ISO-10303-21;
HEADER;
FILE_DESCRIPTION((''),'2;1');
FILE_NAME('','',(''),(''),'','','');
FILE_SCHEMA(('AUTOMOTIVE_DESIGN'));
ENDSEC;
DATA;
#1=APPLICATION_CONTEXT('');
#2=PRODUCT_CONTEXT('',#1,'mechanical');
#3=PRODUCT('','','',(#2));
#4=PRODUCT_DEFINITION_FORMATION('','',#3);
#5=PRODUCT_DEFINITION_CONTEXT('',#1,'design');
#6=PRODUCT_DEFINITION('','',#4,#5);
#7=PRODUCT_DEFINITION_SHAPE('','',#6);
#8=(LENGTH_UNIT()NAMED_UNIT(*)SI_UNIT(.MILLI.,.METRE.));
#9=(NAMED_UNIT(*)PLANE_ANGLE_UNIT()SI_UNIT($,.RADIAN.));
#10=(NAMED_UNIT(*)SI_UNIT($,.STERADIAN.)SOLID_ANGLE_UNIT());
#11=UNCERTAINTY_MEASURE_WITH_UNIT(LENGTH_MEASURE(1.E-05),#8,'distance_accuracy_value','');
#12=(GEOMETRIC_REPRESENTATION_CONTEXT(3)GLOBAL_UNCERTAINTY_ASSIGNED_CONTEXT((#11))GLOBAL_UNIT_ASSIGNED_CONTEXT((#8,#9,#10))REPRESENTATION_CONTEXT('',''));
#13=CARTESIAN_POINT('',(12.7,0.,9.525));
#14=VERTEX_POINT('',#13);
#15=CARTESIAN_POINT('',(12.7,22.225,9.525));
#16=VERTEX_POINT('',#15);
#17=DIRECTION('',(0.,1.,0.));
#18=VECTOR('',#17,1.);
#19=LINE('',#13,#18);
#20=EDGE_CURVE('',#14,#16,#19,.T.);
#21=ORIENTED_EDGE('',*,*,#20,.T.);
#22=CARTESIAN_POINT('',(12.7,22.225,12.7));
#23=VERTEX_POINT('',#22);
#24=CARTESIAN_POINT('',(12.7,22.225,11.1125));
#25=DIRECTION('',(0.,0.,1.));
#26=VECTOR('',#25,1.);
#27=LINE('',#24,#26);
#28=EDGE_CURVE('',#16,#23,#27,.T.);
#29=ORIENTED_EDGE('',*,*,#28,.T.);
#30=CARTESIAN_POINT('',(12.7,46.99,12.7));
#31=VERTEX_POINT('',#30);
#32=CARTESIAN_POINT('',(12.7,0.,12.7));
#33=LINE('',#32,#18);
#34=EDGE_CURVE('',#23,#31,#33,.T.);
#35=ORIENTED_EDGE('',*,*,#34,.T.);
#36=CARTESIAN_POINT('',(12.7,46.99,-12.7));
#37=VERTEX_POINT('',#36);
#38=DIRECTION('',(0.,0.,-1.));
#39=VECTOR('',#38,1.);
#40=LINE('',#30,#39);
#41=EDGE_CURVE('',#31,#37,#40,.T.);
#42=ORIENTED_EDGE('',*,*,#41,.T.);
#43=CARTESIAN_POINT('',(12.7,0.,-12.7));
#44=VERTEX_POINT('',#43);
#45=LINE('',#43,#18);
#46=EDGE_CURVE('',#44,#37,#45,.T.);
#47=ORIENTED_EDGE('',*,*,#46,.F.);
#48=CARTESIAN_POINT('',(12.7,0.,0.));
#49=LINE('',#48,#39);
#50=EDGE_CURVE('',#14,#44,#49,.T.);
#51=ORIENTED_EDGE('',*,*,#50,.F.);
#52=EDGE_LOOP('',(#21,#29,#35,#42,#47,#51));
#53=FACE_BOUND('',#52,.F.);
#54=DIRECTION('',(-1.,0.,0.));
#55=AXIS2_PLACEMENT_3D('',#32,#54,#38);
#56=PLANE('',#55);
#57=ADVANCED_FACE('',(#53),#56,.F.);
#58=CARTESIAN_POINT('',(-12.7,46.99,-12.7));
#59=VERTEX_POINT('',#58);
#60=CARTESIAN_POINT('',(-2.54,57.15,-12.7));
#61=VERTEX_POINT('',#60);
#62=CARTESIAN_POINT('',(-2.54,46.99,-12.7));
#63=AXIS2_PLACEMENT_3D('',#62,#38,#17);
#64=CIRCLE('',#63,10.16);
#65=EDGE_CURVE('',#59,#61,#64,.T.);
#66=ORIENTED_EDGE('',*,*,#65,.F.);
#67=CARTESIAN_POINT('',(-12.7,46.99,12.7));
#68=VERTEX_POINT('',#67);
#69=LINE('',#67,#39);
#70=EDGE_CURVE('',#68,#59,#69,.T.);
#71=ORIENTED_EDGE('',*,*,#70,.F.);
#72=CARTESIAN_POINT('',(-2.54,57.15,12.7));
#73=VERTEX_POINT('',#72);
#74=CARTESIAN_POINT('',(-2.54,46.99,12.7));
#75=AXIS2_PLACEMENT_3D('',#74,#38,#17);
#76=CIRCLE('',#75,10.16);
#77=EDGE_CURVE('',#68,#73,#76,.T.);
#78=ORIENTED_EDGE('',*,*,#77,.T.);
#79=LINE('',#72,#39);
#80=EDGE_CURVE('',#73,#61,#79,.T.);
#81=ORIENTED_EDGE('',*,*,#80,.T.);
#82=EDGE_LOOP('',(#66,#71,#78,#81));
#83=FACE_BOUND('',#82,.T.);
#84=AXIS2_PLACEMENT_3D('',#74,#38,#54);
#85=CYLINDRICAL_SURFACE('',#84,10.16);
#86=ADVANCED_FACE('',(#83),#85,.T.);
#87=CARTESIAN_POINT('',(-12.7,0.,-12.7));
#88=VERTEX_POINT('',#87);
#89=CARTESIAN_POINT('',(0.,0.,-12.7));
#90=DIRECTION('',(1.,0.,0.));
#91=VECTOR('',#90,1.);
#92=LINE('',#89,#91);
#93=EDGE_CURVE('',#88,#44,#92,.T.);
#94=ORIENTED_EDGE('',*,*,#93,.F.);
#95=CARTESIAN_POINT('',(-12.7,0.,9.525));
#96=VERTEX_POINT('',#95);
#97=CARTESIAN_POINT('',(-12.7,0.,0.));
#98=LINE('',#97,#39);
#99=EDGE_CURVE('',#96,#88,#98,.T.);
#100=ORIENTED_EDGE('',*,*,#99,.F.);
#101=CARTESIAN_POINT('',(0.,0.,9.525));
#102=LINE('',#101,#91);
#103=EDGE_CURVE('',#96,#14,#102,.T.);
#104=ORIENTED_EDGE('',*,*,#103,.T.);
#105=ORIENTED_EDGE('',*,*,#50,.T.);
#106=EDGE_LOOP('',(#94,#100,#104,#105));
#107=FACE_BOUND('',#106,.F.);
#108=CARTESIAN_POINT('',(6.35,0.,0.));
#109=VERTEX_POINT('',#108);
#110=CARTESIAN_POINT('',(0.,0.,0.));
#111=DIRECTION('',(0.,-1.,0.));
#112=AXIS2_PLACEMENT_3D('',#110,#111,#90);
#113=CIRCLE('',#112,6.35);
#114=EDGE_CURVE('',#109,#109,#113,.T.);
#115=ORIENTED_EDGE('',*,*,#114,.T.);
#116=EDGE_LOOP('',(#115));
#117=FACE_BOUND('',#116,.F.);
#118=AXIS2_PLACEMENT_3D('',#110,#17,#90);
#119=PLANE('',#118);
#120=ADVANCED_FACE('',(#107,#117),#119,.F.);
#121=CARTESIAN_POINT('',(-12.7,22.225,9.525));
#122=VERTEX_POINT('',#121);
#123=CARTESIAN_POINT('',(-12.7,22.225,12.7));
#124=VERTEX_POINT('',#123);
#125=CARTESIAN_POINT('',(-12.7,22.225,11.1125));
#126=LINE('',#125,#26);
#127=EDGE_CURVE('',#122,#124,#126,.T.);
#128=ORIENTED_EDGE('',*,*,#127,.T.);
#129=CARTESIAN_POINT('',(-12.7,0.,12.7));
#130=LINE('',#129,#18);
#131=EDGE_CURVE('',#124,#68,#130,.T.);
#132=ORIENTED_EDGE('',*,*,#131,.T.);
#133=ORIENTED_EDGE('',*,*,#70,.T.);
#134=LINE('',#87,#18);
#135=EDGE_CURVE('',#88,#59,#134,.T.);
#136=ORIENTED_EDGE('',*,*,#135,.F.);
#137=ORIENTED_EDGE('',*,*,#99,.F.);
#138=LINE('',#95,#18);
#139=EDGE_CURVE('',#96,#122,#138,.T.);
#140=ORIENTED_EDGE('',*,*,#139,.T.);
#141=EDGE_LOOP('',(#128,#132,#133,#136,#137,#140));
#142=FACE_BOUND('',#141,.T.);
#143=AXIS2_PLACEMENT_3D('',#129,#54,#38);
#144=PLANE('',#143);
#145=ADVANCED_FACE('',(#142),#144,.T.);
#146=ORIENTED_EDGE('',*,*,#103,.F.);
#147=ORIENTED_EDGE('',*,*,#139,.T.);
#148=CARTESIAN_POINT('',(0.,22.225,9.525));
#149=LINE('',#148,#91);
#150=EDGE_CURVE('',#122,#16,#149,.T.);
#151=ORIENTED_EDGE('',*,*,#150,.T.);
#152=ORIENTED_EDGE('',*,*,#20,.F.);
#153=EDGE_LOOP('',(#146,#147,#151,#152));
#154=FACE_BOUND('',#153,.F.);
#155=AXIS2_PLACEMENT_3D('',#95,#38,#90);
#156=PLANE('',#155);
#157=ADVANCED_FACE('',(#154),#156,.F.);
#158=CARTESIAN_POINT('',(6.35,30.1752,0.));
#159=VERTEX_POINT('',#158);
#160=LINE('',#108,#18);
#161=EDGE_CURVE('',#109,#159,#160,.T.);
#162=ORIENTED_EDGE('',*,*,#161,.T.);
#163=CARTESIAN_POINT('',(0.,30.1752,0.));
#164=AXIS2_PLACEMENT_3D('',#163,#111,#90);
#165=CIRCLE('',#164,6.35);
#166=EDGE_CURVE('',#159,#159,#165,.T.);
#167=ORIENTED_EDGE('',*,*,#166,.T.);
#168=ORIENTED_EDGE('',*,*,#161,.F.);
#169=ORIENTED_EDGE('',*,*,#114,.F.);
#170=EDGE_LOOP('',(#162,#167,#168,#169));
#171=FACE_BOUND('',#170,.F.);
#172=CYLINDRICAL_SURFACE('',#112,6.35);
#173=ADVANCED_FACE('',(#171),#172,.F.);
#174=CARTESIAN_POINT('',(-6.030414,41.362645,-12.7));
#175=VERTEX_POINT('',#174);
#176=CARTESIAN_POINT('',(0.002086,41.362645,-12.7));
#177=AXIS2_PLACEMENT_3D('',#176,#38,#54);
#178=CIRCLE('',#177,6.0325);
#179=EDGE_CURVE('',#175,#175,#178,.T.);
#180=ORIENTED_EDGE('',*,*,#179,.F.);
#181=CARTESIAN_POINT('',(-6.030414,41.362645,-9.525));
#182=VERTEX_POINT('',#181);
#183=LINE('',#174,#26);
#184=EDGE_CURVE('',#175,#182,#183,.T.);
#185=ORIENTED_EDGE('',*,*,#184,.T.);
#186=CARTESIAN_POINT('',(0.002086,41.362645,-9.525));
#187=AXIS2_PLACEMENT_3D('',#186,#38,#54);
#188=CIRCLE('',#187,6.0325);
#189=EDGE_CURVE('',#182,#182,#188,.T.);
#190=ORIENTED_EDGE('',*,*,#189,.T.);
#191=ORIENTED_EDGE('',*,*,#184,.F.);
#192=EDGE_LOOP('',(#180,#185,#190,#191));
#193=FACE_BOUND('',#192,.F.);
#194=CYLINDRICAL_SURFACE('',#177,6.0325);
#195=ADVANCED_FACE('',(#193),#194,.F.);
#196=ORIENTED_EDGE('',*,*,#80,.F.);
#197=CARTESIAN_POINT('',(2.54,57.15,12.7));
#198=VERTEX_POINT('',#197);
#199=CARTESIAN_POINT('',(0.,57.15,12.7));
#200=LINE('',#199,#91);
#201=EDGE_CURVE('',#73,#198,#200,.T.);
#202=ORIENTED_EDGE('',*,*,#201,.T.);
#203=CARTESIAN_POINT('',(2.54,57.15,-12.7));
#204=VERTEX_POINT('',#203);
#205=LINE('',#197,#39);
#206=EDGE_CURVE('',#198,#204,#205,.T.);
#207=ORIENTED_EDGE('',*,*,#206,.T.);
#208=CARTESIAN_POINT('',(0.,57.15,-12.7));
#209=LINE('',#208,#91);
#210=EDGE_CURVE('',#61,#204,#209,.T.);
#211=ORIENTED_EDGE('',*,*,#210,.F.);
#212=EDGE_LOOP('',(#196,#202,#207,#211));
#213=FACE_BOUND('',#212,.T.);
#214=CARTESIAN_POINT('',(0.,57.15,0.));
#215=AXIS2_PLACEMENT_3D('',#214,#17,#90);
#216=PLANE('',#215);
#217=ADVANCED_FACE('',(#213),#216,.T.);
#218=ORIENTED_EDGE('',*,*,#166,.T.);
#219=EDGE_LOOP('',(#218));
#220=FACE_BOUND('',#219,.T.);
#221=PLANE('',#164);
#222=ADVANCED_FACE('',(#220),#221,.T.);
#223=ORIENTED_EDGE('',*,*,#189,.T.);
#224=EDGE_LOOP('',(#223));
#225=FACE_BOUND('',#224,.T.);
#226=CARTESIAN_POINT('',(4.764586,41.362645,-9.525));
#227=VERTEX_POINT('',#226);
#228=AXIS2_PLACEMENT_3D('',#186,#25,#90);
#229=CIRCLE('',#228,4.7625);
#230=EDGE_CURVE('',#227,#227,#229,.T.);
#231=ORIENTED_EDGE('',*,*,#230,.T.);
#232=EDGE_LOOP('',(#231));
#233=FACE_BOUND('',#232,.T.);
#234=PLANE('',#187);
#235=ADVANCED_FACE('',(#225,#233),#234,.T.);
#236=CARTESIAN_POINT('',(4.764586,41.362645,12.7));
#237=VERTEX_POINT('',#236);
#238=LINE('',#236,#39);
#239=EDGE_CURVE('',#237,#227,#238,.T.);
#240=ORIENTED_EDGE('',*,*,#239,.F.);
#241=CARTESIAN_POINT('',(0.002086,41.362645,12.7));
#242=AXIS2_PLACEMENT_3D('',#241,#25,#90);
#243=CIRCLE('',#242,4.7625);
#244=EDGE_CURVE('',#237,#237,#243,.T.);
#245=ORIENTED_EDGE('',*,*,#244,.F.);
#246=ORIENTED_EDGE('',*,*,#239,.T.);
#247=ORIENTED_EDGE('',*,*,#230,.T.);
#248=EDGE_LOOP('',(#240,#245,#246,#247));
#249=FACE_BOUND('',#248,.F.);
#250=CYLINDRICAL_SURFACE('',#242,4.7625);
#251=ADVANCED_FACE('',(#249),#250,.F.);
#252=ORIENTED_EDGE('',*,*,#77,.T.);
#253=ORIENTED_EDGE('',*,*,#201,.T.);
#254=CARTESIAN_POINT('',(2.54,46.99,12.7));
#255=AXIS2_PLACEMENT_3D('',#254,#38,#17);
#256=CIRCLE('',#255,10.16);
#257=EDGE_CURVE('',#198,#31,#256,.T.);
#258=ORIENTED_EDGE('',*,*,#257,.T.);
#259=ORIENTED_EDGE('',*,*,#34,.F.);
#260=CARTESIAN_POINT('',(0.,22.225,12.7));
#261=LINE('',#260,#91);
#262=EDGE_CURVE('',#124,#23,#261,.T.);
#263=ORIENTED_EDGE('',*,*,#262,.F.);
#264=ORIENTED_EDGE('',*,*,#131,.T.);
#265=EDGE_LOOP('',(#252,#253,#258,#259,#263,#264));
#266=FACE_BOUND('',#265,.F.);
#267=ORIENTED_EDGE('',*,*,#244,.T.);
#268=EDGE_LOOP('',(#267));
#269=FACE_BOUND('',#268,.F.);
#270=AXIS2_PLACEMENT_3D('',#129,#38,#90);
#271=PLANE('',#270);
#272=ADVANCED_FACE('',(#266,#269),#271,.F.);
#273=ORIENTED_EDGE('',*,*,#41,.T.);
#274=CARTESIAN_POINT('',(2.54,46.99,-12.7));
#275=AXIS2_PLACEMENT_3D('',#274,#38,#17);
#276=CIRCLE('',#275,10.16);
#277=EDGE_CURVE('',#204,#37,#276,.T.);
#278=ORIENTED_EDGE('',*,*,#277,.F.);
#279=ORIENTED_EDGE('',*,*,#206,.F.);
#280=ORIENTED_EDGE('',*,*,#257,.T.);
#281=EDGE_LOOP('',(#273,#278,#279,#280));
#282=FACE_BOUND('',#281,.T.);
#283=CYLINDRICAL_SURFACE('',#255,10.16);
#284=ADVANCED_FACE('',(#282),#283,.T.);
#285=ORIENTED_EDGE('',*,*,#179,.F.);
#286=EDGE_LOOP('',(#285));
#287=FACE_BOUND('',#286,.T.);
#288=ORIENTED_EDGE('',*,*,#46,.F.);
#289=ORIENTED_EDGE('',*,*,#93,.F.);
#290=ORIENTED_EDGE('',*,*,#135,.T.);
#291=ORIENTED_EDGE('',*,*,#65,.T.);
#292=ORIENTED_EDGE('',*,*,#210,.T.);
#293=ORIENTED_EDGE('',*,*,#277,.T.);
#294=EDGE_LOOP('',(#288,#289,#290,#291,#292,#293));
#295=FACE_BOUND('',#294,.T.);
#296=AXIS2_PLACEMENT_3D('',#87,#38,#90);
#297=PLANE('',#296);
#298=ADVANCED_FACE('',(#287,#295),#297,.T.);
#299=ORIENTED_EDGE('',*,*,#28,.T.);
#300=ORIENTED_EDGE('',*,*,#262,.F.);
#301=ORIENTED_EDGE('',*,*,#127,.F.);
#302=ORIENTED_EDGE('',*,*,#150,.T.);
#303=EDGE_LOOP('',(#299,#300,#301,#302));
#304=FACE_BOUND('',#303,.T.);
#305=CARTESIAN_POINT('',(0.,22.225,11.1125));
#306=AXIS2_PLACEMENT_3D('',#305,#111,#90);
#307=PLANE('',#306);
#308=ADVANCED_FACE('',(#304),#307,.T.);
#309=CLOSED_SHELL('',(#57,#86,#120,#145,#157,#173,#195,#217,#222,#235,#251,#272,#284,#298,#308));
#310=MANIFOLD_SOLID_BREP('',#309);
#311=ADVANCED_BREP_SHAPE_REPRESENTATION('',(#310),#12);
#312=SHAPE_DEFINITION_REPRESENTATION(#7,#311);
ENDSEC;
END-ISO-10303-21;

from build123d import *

# Parameters (mm, degrees)
SKETCH1_W           = 25.4
SKETCH1_H           = 25.4
BOSS_EXTRUDE1_DEPTH = 57.15
SKETCH2_W           = 25.4
SKETCH2_H           = 3.175
CUT_EXTRUDE1_DEPTH  = 22.225
SKETCH3_R           = 4.7625
CUT_EXTRUDE4_DEPTH  = 25.4
SKETCH4_R           = 6.0325
CUT_EXTRUDE5_DEPTH  = 3.175
SKETCH5_R           = 6.35
CUT_EXTRUDE6_DEPTH  = 30.1752
FILLET1_R           = 10.16


with BuildPart() as part:
    # Sketch1 → Boss-Extrude1 (new body)
    with BuildSketch(Plane(origin=(0, 0, 0), x_dir=(1, 0, 0), z_dir=(0, 1, 0))):
        Rectangle(SKETCH1_W, SKETCH1_H)
    extrude(amount=BOSS_EXTRUDE1_DEPTH)

    # Sketch2 → Cut-Extrude1 (cut)
    with BuildSketch(Plane.XZ):
        with Locations((0, 11.1125)):
            Rectangle(SKETCH2_W, SKETCH2_H)
    extrude(amount=-CUT_EXTRUDE1_DEPTH, mode=Mode.SUBTRACT)

    # Sketch3 → Cut-Extrude4 (cut)
    with BuildSketch(Plane.XY.offset(12.7)):
        with Locations((0.002085525, 41.362644983)):
            Circle(SKETCH3_R)
    extrude(amount=-CUT_EXTRUDE4_DEPTH, mode=Mode.SUBTRACT)

    # Sketch4 → Cut-Extrude5 (cut)
    with BuildSketch(Plane(origin=(0, 0, -12.7), x_dir=(-1, 0, 0), z_dir=(0, 0, -1))):
        with Locations((-0.002085525, 41.362644983)):
            Circle(SKETCH4_R)
    extrude(amount=-CUT_EXTRUDE5_DEPTH, mode=Mode.SUBTRACT)

    # Sketch5 → Cut-Extrude6 (cut)
    with BuildSketch(Plane.XZ):
        Circle(SKETCH5_R)
    extrude(amount=-CUT_EXTRUDE6_DEPTH, mode=Mode.SUBTRACT)

    # Fillet1
    fillet1_edges = [part.edges().sort_by_distance(p)[0] for p in [
        (-12.7, 57.15, 0),
        (12.7, 57.15, 0),
    ]]
    fillet(fillet1_edges, radius=FILLET1_R)


solid = part.part
